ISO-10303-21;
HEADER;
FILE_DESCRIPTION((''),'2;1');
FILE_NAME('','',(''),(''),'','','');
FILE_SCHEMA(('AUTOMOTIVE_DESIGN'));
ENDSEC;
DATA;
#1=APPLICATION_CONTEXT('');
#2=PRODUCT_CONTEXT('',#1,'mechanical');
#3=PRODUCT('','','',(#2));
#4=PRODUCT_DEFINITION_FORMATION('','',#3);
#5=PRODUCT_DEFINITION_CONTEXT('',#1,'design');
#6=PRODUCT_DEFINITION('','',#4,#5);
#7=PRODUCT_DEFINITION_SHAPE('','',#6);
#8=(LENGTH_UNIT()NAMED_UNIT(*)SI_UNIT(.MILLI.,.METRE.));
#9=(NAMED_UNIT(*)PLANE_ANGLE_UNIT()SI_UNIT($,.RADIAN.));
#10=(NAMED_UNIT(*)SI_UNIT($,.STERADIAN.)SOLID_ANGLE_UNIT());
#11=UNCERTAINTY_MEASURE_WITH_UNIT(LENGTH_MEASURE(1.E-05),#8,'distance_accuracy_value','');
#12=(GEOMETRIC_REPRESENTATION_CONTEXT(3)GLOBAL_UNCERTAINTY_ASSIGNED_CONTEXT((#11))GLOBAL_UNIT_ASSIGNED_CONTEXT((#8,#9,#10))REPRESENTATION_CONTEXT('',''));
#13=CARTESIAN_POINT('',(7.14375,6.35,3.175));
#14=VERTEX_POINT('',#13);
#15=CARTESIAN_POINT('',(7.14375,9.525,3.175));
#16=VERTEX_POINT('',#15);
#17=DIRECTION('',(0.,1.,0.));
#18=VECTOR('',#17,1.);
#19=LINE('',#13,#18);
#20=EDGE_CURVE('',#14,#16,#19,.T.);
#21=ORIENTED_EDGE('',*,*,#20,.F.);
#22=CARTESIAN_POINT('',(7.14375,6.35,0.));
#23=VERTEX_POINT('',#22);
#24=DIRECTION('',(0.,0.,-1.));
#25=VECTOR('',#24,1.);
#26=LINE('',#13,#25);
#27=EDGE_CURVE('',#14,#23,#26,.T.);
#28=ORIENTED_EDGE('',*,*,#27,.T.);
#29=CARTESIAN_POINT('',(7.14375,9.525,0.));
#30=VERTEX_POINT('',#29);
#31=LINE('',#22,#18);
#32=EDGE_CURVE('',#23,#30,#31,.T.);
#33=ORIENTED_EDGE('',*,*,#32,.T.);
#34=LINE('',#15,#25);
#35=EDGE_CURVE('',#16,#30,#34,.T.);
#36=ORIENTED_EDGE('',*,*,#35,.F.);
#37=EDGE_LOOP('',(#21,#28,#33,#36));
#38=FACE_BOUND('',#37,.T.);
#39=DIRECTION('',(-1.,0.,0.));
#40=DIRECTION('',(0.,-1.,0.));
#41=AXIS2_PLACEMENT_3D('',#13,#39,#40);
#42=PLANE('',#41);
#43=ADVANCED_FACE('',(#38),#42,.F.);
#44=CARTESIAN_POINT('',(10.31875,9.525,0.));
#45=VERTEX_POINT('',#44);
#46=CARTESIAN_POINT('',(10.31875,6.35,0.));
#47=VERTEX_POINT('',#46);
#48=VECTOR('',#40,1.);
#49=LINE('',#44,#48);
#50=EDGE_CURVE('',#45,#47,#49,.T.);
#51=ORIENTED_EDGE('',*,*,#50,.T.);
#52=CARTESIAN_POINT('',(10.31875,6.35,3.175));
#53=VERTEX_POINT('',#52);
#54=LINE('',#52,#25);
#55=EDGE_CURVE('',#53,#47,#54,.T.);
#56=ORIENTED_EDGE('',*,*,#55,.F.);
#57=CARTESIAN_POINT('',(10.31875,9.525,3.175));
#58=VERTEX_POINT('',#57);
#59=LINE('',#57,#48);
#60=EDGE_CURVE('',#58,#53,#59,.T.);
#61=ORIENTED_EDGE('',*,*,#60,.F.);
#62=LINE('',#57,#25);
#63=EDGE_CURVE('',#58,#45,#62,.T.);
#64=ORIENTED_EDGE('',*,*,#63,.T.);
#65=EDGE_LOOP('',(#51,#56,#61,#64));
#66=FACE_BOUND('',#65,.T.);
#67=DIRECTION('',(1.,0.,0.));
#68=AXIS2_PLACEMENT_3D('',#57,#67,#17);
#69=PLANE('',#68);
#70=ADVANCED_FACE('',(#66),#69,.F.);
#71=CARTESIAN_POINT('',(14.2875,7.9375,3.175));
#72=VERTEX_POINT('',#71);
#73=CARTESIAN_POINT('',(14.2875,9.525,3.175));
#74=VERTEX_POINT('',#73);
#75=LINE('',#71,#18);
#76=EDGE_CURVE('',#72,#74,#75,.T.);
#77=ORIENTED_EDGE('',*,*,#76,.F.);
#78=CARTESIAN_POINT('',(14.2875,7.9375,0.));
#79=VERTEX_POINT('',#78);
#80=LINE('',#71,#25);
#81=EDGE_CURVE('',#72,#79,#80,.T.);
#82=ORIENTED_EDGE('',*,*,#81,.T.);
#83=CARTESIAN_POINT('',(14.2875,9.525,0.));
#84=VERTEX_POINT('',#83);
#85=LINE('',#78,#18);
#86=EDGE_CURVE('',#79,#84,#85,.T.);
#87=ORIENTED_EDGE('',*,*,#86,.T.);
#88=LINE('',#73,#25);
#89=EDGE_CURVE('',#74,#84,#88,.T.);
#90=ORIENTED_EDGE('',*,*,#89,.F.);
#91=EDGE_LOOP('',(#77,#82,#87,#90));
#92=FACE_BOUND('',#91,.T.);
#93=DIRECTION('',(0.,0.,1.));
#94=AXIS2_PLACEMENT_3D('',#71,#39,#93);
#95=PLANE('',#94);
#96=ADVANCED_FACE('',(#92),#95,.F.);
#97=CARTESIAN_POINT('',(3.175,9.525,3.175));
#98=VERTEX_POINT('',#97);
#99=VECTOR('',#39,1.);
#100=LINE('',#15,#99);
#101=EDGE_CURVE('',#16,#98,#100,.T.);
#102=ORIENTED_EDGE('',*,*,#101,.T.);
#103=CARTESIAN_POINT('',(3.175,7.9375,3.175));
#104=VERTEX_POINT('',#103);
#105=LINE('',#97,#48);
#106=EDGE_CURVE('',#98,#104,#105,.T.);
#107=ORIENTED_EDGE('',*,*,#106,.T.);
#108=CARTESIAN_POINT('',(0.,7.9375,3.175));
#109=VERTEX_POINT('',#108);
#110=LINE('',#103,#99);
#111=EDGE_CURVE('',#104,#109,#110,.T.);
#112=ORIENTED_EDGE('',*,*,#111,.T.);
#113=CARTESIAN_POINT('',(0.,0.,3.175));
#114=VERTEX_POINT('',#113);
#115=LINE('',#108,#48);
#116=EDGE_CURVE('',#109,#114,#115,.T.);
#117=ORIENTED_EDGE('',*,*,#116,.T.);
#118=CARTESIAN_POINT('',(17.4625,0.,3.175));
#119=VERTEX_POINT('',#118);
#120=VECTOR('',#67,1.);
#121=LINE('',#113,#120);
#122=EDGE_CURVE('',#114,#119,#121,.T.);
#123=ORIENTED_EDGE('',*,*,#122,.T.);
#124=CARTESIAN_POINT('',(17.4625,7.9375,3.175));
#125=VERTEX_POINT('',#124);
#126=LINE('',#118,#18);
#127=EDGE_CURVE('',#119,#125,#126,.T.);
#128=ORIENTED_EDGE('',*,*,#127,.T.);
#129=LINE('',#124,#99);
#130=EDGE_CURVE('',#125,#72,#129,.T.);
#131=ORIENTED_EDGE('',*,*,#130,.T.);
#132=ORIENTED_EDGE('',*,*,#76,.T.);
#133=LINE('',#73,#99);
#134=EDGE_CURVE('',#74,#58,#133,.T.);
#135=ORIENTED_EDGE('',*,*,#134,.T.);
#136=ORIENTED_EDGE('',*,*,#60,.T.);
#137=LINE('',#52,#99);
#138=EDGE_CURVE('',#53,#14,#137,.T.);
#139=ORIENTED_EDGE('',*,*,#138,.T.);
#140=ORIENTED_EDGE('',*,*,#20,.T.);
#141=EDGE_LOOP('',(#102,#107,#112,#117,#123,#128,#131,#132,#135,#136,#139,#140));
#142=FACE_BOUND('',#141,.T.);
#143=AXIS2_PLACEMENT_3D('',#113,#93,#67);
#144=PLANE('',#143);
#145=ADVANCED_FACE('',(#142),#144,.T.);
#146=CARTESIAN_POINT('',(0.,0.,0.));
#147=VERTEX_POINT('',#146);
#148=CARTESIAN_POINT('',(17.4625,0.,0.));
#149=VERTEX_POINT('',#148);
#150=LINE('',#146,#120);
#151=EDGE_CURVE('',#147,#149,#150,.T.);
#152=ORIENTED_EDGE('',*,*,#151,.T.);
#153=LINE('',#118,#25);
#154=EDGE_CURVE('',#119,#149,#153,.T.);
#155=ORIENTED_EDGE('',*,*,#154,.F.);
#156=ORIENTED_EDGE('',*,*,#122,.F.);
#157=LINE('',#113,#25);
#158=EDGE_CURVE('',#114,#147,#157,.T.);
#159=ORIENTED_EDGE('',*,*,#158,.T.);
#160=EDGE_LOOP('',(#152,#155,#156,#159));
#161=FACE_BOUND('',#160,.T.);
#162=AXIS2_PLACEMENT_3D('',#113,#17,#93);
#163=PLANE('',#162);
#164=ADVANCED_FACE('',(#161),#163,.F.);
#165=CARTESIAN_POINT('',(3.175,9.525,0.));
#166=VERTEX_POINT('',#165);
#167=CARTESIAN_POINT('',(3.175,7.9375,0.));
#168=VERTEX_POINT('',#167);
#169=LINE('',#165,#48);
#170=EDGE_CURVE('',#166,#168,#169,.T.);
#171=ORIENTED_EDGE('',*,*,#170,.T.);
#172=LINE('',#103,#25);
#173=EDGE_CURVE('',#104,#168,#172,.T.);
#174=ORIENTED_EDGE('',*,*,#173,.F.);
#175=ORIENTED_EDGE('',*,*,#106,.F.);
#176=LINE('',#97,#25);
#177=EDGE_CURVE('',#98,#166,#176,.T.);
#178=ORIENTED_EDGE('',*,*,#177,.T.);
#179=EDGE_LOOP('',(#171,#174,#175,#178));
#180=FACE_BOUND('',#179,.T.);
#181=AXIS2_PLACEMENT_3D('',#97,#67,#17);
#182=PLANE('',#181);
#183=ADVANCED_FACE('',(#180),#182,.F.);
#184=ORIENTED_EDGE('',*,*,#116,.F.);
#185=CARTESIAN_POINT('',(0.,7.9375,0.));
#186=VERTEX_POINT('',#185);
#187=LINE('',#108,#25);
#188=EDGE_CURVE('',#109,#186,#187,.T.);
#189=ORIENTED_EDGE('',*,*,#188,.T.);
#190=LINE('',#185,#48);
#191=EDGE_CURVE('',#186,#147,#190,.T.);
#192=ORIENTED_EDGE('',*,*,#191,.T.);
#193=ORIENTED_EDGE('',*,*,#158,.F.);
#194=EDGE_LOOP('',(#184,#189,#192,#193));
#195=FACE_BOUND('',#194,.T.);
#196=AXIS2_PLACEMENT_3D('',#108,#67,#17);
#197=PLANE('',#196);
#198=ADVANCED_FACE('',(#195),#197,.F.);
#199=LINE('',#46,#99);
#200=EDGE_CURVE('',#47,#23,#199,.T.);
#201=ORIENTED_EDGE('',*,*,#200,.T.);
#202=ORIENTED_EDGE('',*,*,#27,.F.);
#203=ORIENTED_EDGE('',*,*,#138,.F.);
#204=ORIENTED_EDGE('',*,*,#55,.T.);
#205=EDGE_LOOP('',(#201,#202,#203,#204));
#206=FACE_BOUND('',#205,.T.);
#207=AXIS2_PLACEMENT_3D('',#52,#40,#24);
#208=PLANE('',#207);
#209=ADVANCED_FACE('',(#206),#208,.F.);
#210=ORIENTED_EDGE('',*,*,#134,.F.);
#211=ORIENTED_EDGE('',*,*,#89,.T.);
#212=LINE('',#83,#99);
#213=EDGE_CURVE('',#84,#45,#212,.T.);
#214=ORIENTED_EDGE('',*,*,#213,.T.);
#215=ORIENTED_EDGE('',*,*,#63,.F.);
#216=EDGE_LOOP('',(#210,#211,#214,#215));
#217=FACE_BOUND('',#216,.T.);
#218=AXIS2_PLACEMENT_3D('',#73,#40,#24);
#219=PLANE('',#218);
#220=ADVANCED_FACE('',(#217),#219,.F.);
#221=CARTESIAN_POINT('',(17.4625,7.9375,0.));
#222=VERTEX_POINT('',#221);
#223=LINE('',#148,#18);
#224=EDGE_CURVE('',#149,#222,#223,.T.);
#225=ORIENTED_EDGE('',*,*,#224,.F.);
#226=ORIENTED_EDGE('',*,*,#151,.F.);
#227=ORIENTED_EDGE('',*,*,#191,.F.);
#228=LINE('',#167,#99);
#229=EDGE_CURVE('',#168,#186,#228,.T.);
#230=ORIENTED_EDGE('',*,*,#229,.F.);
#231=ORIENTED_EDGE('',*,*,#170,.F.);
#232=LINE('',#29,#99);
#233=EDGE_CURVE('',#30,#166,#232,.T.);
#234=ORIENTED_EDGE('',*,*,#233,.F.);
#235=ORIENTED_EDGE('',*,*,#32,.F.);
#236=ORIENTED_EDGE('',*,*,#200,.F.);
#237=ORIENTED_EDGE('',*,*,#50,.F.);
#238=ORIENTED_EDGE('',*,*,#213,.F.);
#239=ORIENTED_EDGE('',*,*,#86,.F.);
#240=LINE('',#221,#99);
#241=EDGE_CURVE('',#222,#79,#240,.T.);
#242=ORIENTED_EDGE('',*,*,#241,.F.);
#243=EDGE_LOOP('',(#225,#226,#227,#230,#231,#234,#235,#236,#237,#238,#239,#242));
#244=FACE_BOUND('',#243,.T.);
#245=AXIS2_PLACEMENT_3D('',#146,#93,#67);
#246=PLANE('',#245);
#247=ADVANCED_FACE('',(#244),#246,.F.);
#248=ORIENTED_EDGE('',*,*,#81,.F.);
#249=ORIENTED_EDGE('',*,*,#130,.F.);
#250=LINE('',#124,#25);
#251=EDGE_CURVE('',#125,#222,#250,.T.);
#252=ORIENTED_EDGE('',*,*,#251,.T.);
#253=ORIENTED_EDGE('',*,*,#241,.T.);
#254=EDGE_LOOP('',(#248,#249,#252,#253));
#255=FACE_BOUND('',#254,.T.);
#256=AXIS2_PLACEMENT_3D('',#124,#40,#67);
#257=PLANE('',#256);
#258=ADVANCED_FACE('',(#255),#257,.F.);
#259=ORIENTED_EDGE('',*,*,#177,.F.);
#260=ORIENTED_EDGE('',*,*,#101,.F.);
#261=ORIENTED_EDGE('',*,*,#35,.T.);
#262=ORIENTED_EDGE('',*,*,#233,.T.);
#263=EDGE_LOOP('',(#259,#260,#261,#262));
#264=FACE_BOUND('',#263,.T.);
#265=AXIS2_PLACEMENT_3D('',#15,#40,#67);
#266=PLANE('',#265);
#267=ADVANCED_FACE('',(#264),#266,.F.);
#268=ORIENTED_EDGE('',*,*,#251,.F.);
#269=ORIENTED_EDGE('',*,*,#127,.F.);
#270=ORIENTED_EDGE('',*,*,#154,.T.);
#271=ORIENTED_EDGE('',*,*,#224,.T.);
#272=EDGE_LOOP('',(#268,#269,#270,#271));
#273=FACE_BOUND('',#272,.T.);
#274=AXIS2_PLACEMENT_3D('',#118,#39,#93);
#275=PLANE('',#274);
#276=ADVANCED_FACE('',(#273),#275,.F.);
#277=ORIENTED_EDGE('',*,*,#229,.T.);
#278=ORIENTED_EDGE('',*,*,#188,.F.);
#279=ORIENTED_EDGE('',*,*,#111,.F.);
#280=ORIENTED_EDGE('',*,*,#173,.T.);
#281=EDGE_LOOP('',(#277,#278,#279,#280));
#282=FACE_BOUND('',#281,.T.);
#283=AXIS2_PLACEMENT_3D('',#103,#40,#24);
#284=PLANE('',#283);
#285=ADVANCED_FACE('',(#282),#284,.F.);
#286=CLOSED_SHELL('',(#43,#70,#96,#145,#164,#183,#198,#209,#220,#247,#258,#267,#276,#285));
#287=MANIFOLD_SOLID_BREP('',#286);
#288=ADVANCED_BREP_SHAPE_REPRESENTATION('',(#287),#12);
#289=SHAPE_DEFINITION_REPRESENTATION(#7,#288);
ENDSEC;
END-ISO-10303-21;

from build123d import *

# Parameters (mm, degrees)
BOSS_EXTRUDE2_DEPTH = 3.175


with BuildPart() as part:
    # Sketch1 → Boss-Extrude2 (new body)
    with BuildSketch(Plane.XY):
        Polygon((0, 0), (17.4625, 0), (17.4625, 7.9375), (14.2875, 7.9375), (14.2875, 9.525), (10.31875, 9.525), (10.31875, 6.35), (7.14375, 6.35), (7.14375, 9.525), (3.175, 9.525), (3.175, 7.9375), (0, 7.9375), align=None)
    extrude(amount=BOSS_EXTRUDE2_DEPTH)


solid = part.part
